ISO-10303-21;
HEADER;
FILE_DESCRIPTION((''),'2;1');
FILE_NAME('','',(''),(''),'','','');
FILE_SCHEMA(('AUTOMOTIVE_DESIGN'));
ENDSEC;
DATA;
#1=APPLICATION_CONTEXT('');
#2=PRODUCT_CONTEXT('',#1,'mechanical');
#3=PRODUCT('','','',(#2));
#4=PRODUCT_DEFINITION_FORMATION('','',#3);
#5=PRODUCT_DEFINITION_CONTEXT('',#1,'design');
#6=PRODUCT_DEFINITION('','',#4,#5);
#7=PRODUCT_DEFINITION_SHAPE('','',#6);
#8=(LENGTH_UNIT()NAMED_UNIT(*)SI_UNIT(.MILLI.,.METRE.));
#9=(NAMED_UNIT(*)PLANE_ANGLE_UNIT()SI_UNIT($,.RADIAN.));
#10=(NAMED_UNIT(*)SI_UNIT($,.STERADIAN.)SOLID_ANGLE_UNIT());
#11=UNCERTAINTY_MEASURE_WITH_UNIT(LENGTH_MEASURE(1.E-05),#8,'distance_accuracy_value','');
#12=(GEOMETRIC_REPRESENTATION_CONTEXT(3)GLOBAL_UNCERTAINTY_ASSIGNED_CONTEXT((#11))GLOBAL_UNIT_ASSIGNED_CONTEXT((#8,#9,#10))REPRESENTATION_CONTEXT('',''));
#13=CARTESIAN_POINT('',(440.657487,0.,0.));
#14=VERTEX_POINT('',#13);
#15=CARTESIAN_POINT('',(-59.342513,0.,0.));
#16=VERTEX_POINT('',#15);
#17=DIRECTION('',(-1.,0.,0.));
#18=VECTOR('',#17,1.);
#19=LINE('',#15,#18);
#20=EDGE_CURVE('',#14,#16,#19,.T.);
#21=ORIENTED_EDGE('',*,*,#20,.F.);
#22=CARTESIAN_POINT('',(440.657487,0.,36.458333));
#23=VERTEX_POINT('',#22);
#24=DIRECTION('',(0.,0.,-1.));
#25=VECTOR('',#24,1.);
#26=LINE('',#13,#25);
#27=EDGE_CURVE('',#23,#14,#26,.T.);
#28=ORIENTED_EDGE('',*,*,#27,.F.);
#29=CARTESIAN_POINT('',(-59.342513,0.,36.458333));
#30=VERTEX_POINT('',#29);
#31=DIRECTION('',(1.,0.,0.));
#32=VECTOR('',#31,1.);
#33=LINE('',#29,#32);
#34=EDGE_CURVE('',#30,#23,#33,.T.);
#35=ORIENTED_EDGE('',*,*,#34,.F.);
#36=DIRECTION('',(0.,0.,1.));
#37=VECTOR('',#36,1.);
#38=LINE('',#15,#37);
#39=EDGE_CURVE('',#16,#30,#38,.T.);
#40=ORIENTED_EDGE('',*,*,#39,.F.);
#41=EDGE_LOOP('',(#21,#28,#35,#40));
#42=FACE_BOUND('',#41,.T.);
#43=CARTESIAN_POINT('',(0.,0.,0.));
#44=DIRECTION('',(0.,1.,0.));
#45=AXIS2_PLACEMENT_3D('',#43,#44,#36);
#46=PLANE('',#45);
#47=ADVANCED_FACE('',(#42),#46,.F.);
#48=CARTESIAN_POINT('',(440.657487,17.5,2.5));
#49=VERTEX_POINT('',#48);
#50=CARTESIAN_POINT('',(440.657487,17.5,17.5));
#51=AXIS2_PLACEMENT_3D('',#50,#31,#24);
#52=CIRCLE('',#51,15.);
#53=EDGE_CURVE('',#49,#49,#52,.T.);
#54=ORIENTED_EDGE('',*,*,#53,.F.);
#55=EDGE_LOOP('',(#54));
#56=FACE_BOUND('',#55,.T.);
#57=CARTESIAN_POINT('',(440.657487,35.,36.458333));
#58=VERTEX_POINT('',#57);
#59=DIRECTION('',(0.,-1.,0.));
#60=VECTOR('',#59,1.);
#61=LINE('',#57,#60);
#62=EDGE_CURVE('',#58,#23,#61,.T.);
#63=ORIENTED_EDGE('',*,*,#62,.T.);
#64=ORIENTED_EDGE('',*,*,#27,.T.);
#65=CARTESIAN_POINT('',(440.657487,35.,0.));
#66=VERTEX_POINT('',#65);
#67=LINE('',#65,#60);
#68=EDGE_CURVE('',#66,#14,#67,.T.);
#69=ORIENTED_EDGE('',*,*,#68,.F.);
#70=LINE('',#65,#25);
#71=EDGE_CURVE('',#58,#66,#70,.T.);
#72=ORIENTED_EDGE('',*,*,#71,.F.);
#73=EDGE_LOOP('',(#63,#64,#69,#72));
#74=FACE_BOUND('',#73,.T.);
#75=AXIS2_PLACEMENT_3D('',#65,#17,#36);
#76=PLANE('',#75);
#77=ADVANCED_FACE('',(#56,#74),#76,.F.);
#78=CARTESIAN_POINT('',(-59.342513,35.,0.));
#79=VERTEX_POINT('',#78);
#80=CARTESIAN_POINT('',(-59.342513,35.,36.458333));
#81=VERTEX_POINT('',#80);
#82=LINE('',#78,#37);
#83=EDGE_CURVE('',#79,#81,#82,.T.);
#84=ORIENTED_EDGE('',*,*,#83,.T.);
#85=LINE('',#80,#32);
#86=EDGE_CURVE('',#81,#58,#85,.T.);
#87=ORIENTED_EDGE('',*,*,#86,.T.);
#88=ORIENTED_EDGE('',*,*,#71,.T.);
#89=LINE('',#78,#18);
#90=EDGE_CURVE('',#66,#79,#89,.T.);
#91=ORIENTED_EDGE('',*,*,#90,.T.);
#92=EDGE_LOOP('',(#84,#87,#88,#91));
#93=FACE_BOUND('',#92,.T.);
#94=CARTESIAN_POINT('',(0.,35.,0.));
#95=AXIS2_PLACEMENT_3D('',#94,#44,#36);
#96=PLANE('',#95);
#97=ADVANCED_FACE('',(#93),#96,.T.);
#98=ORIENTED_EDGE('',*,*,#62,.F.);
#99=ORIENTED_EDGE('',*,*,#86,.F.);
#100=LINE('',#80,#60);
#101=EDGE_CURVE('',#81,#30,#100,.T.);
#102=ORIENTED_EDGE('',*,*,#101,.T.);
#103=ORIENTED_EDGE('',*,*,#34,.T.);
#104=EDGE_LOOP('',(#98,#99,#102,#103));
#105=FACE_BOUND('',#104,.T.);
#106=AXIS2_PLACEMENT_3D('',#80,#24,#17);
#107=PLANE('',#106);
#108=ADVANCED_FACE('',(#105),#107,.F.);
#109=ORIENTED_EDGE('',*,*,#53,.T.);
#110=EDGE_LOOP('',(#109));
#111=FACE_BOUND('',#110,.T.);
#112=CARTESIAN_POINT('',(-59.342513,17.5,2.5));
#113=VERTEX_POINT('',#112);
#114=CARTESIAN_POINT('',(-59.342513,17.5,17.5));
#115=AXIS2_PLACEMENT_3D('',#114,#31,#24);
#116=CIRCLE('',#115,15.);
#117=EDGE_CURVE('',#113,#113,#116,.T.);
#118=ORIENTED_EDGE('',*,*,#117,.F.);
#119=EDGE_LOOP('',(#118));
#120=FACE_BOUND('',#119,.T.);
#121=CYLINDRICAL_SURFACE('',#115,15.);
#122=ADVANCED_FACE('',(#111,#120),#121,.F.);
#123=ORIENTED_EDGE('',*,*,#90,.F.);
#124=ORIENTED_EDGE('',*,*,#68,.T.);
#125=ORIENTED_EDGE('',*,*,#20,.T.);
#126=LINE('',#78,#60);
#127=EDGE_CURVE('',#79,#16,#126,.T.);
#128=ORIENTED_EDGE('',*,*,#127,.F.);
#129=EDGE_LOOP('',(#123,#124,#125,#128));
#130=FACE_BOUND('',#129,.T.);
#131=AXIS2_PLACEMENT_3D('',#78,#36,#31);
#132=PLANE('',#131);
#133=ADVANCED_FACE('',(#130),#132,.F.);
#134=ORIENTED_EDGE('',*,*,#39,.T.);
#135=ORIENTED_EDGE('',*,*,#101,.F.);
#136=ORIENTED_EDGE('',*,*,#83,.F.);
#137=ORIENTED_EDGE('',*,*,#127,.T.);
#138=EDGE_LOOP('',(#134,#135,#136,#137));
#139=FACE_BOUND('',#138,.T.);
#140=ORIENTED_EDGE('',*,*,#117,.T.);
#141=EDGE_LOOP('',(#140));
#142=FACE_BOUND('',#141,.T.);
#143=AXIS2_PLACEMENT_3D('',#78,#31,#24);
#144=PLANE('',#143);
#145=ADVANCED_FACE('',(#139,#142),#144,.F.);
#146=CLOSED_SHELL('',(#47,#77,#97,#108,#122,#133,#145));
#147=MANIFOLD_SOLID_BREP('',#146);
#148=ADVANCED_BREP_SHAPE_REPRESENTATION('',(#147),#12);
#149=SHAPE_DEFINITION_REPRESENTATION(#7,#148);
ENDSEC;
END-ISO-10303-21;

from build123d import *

# Parameters (mm, degrees)
SKETCH1_W           = 500
SKETCH1_H           = 36.458333333
BOSS_EXTRUDE1_DEPTH = 35
SKETCH2_R           = 15
CUT_EXTRUDE1_DEPTH  = 501


with BuildPart() as part:
    # Sketch1 → Boss-Extrude1 (new body)
    with BuildSketch(Plane(origin=(0, 0, 0), x_dir=(1, 0, 0), z_dir=(0, 1, 0))):
        with Locations((190.657487282, -18.229166666)):
            Rectangle(SKETCH1_W, SKETCH1_H)
    extrude(amount=BOSS_EXTRUDE1_DEPTH)

    # Sketch2 → Cut-Extrude1 (cut, through all)
    with BuildSketch(Plane(origin=(440.657487282, 0, 0), x_dir=(0, 0, -1), z_dir=(1, 0, 0))):
        with Locations((-17.5, 17.5)):
            Circle(SKETCH2_R)
    extrude(amount=-CUT_EXTRUDE1_DEPTH, mode=Mode.SUBTRACT)


solid = part.part
